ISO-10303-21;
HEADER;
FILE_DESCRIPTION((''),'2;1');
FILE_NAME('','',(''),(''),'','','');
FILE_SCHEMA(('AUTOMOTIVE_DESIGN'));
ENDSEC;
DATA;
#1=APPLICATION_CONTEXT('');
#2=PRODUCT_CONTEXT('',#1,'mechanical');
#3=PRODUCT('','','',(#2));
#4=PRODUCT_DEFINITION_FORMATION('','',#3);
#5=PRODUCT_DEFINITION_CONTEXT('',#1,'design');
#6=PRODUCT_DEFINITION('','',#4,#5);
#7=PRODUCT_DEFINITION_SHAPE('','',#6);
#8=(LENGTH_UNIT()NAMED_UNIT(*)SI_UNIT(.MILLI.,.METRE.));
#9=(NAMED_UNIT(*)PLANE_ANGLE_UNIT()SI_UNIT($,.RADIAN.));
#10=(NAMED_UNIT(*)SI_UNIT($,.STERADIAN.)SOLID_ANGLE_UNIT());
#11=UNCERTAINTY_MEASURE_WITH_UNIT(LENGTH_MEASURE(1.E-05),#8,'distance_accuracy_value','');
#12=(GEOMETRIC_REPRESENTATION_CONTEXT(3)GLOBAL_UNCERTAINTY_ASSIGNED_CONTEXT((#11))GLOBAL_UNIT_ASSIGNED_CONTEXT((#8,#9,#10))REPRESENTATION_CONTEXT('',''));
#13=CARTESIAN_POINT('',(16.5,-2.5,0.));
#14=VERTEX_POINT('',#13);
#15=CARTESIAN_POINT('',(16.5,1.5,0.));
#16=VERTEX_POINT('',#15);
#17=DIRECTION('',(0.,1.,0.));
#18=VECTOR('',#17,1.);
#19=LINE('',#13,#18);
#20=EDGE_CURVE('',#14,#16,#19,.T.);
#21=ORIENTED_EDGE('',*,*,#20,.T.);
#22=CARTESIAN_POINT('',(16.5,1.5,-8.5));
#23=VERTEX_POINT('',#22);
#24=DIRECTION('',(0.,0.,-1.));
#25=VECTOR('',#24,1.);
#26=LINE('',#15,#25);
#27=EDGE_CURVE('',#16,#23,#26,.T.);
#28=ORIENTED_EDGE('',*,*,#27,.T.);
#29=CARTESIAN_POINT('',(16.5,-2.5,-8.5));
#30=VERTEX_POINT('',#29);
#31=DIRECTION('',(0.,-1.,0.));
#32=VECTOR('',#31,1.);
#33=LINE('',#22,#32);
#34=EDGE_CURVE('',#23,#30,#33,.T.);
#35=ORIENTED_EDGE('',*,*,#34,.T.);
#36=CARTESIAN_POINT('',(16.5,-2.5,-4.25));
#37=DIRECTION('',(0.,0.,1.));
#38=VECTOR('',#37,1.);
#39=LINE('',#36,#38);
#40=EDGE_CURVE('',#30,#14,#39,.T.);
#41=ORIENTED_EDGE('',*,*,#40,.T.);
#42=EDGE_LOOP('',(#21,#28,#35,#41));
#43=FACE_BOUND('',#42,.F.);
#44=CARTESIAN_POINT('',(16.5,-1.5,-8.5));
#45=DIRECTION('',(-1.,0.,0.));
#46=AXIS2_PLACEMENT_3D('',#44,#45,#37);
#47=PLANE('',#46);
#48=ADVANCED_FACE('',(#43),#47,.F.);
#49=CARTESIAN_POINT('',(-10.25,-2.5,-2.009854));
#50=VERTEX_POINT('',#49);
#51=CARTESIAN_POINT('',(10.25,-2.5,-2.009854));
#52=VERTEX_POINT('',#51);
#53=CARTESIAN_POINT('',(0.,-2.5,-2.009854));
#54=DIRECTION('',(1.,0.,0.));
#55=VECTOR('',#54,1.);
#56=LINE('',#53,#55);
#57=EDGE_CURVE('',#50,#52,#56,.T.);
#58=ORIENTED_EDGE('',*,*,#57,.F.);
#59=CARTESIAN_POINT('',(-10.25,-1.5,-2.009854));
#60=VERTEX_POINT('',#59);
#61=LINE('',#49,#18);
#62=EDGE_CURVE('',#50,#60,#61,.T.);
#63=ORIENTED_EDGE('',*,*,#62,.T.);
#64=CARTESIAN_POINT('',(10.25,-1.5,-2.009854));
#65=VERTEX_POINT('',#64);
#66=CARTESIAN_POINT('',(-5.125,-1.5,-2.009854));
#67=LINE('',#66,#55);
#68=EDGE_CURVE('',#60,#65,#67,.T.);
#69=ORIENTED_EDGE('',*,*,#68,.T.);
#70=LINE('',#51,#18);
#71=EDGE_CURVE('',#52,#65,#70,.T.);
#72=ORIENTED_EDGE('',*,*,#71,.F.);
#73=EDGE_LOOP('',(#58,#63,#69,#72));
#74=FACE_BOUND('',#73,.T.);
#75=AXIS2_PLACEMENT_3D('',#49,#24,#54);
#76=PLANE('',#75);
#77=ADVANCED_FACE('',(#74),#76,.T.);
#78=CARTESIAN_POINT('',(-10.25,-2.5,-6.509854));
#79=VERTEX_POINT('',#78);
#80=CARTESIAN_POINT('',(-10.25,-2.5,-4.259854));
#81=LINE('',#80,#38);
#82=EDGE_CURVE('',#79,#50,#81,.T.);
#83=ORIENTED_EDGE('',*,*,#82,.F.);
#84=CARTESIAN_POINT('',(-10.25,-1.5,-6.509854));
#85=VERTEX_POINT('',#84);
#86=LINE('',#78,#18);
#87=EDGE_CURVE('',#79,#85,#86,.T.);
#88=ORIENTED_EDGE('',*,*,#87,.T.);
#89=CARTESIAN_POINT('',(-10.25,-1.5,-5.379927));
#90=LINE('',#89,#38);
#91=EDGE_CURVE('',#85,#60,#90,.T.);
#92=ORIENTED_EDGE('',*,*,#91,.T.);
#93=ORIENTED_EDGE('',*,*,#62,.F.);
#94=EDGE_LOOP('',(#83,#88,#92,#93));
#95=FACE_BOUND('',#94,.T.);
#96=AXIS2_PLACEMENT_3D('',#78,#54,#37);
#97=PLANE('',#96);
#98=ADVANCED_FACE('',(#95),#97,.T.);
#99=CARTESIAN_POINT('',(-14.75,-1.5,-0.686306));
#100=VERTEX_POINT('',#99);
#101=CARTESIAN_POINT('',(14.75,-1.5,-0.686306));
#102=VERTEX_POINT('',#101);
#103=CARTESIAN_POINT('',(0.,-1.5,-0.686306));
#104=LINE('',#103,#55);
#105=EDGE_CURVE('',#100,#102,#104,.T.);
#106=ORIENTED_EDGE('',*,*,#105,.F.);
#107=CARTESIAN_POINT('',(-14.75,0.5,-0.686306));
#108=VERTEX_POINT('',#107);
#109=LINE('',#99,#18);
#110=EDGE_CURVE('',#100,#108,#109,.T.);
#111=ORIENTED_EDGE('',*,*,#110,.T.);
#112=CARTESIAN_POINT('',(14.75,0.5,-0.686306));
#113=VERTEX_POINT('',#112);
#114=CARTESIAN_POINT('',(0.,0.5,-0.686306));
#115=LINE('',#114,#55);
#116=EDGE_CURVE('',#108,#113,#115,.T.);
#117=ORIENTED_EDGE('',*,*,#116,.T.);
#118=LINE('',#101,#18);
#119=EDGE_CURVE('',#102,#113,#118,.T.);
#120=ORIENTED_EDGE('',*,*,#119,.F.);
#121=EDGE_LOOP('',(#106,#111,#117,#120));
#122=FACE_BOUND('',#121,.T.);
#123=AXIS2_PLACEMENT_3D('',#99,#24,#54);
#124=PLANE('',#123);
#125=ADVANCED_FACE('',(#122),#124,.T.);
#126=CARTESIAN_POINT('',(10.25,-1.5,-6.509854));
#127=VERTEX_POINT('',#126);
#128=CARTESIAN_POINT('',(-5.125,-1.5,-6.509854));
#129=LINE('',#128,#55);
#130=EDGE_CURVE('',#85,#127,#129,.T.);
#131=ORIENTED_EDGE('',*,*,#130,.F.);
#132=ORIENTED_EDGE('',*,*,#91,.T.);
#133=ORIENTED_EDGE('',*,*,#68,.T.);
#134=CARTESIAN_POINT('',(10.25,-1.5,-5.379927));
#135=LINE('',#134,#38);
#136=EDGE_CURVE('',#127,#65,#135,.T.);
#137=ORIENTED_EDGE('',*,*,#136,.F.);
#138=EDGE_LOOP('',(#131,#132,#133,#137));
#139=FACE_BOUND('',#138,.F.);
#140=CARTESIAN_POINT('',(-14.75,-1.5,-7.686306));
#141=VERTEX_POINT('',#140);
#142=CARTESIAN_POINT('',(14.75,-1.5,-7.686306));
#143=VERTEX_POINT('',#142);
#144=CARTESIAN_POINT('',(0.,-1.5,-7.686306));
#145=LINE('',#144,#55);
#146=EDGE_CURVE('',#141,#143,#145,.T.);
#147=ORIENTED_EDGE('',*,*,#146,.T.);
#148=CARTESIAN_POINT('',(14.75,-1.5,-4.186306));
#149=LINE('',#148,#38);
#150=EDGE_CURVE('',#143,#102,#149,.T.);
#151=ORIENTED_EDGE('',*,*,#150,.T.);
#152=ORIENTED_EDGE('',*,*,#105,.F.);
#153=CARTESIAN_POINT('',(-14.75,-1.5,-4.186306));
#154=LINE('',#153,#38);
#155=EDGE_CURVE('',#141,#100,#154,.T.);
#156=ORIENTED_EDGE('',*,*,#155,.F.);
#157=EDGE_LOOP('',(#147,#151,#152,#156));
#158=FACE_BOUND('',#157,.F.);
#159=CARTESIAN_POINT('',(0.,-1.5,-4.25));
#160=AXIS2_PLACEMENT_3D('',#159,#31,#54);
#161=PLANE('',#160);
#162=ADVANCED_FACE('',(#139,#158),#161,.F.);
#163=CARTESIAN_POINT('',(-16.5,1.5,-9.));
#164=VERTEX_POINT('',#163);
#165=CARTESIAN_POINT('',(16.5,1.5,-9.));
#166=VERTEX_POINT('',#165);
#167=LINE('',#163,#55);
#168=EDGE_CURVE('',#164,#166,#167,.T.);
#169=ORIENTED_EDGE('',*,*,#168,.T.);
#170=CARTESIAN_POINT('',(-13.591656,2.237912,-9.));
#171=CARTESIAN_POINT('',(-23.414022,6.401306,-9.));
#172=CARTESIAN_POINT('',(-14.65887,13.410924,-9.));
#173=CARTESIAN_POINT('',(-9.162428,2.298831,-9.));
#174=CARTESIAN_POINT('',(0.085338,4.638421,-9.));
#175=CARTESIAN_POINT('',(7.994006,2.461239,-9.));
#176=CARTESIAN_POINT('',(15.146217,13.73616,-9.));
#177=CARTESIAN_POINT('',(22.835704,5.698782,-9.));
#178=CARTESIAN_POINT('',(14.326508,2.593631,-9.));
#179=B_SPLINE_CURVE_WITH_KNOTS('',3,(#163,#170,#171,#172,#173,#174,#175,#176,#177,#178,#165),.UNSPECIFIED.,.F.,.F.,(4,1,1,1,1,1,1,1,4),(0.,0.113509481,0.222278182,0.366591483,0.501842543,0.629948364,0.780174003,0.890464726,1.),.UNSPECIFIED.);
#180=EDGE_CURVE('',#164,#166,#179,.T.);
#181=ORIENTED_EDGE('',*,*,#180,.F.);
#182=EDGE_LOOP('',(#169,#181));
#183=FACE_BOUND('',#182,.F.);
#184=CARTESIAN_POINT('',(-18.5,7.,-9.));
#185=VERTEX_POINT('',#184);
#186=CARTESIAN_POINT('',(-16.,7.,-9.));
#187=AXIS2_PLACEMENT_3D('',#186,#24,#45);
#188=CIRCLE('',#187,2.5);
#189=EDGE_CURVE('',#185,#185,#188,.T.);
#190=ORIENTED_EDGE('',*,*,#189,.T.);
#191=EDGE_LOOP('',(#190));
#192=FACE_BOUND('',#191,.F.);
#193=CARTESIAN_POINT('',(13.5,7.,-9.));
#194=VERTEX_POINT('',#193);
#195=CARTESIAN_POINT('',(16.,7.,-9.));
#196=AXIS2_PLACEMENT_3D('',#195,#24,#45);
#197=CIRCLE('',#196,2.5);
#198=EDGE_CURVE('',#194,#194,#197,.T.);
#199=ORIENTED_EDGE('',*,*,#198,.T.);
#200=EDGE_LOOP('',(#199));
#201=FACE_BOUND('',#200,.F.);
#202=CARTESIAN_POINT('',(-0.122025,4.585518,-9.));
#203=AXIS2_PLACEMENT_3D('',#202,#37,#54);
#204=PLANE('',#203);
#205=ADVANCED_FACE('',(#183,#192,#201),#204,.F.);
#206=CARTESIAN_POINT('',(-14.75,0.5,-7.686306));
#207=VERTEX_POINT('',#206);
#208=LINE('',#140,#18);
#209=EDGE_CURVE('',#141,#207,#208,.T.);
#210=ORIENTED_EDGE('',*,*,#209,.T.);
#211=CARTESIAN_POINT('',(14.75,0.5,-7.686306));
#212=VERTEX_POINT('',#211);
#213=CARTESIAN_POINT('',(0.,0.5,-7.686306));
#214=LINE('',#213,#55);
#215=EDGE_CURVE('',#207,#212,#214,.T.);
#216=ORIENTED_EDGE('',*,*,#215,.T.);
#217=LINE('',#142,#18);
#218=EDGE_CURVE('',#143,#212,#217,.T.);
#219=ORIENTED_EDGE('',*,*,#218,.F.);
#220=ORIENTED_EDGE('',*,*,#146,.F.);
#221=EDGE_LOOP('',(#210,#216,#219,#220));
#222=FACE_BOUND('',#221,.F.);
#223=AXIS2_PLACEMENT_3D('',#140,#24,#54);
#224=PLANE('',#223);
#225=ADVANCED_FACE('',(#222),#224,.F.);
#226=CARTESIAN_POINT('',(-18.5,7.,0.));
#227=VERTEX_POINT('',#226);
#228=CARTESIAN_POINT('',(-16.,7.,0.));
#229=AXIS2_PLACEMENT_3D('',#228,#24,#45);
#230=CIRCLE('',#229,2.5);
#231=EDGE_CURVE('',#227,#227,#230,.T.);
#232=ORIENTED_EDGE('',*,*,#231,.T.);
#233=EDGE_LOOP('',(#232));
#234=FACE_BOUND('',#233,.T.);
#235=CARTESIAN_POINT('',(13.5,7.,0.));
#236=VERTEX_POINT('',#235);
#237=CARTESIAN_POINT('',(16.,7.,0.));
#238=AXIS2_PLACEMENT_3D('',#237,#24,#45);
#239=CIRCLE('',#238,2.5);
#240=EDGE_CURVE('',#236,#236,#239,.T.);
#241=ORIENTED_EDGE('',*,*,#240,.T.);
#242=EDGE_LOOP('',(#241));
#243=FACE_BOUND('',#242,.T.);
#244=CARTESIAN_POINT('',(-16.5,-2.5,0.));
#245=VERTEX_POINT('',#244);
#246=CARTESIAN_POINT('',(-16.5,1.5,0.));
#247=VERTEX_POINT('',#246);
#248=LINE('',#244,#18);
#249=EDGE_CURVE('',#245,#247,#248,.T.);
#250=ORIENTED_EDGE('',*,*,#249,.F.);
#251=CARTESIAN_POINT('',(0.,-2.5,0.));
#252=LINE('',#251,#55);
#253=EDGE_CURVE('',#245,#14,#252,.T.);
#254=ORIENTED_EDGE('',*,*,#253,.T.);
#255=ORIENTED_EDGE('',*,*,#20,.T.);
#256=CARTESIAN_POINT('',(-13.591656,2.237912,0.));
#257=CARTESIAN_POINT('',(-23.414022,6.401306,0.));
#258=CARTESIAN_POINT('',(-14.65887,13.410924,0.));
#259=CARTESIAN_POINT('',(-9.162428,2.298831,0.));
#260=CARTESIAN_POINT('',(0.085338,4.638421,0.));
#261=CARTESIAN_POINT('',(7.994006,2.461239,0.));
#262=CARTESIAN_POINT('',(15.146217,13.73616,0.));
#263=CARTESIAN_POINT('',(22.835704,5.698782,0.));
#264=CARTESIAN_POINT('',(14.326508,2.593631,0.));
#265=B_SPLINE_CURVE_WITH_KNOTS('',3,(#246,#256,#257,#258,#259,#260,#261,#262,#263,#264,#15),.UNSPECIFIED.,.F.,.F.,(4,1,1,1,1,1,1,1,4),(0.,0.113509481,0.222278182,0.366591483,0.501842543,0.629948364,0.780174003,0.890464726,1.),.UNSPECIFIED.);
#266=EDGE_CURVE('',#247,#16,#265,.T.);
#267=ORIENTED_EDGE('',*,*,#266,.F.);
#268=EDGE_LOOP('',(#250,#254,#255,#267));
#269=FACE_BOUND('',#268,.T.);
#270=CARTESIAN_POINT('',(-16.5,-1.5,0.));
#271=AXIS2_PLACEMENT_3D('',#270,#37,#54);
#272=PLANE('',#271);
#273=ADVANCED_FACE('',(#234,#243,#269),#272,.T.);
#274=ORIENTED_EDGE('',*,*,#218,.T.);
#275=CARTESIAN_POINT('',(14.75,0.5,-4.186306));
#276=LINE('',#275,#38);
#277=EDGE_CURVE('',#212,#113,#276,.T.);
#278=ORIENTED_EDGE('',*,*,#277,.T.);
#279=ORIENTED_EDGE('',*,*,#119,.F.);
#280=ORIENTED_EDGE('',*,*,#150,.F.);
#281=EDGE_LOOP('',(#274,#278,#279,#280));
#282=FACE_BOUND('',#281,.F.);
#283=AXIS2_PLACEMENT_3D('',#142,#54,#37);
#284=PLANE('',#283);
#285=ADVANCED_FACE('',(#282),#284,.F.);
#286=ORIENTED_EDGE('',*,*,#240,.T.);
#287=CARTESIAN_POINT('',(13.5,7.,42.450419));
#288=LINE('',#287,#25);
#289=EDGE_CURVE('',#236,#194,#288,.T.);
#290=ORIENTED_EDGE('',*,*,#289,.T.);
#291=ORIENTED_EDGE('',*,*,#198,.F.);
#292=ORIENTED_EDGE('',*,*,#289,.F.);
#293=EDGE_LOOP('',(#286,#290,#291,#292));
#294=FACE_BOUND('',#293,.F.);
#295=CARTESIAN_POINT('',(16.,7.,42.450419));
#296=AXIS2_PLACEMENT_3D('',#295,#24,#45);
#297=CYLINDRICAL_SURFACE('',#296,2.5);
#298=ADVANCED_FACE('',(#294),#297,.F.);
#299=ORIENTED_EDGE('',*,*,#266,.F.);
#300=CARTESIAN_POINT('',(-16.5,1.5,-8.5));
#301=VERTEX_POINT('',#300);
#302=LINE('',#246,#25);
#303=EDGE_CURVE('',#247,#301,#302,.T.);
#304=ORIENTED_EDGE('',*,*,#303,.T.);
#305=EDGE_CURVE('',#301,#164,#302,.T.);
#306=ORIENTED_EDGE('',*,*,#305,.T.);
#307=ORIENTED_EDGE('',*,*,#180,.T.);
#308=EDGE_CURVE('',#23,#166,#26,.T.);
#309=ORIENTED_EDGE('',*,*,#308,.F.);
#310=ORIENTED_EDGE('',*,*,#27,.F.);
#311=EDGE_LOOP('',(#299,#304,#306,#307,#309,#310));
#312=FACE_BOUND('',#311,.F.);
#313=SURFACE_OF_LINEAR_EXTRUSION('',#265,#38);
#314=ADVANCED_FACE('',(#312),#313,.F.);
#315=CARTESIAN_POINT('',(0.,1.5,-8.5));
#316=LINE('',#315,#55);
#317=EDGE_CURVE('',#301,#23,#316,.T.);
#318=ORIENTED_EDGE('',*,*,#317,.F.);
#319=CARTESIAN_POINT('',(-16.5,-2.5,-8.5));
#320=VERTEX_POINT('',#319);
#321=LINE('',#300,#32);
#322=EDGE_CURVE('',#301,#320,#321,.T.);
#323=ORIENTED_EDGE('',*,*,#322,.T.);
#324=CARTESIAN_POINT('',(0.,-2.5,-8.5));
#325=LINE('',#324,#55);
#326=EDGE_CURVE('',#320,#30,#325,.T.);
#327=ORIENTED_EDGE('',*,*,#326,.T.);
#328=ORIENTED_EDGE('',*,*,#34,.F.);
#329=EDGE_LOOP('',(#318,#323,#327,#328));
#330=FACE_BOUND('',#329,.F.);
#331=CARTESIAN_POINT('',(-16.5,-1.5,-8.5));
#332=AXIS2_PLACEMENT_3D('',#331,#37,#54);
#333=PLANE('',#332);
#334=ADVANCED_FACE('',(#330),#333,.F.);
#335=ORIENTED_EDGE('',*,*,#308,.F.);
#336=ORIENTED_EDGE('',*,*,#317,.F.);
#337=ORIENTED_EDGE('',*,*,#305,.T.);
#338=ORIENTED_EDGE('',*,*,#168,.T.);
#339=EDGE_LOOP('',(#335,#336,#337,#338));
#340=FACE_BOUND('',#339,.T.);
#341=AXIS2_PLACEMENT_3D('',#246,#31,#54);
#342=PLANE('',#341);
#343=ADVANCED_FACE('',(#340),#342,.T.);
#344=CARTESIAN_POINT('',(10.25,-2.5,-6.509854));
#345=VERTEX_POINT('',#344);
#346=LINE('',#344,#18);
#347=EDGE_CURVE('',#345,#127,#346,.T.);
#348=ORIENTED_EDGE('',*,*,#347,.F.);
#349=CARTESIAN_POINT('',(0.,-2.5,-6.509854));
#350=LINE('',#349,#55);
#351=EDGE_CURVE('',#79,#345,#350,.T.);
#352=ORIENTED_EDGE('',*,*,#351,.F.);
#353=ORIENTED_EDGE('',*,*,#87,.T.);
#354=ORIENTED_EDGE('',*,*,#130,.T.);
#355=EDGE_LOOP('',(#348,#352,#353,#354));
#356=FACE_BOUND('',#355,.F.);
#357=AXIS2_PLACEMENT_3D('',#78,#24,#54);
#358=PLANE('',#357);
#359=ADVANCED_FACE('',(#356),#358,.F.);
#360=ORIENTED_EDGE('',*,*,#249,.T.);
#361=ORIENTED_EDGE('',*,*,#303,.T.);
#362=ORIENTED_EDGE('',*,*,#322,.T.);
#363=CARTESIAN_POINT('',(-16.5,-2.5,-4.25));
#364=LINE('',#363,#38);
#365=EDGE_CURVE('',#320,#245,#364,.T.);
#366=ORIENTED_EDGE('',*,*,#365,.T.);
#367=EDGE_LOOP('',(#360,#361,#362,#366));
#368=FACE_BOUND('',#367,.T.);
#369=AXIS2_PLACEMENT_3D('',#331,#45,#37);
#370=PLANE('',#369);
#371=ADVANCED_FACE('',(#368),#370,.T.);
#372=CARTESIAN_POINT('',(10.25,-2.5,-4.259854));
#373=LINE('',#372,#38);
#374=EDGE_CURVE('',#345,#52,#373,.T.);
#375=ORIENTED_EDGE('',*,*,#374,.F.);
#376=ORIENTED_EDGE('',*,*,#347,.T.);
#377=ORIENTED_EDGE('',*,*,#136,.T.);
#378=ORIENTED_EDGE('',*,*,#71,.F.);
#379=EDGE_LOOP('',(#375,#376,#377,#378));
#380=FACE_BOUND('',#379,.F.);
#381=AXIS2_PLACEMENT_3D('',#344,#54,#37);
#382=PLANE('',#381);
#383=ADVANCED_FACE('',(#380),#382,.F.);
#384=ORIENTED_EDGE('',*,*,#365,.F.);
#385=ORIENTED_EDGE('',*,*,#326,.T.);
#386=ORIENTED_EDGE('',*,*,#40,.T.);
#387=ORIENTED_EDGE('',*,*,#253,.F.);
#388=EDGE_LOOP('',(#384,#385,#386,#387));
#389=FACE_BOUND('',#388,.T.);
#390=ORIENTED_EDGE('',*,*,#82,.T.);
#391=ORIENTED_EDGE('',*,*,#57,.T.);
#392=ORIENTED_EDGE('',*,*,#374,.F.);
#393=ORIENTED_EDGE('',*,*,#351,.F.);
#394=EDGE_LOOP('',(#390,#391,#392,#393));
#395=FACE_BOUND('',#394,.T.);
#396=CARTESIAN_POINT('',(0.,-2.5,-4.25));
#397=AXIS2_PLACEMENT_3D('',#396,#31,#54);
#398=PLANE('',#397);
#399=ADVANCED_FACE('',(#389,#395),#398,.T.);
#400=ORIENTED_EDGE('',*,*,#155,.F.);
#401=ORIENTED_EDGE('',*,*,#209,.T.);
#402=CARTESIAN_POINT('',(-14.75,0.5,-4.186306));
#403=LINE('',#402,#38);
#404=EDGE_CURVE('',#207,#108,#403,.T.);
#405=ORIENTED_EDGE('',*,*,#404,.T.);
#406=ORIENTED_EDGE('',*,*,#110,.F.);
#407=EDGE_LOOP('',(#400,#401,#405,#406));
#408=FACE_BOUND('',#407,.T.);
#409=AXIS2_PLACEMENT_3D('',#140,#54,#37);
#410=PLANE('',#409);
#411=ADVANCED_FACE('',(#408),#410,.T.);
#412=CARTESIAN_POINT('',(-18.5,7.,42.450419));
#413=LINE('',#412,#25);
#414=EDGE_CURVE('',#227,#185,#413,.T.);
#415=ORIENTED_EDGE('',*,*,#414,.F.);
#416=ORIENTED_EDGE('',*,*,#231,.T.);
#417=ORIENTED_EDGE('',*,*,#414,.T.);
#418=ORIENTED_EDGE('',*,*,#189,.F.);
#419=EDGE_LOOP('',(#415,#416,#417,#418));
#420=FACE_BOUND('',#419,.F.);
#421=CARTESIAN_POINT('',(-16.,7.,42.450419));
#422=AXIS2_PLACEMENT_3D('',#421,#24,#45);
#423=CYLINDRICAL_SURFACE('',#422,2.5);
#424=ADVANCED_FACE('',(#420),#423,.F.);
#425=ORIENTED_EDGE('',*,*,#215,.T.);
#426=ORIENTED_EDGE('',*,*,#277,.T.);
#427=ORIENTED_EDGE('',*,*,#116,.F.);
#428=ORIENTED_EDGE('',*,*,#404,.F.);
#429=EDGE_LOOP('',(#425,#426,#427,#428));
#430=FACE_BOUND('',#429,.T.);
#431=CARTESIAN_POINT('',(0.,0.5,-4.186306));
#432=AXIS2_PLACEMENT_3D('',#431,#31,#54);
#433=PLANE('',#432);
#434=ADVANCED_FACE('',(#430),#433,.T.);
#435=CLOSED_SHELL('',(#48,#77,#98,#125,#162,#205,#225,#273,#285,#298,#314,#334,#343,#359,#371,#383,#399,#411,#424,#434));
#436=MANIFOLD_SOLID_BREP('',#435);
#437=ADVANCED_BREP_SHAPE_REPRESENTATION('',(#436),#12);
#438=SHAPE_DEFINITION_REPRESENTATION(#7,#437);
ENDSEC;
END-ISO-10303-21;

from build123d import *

# Parameters (mm, degrees)
F0_W     = 33
F0_H     = 3
F1_DEPTH = 8.5
F2_DEPTH = 9
F3_D     = 5
F4_W     = 29.5
F4_H     = 7
F5_DEPTH = 2
F6_W     = 33
F6_H     = 8.5
F7_DEPTH = 1
F8_W     = 20.5
F8_H     = 4.5
F9_DEPTH = 2


with BuildPart() as f1:
    # F0 (on Top) → F1 (new body)
    with BuildSketch(Plane.XY):
        Rectangle(F0_W, F0_H)
    extrude(amount=-F1_DEPTH)

    # F0 (on Top) → F2 (join)
    with BuildSketch(Plane.XY):
        with BuildLine():
            Line((-16.5, 1.5), (16.5, 1.5))
            add(Edge.make_bspline(
                [(-16.5, 1.5), (-13.5916556324, 2.237912442), (-23.414021641, 6.4013059033), (-14.658869967, 13.4109242996), (-9.1624283669, 2.2988306357), (0.0853379262, 4.6384206671), (7.9940055928, 2.4612393848), (15.1462169756, 13.7361596273), (22.8357037013, 5.6987815755), (14.3265083209, 2.5936309807), (16.5, 1.5)],
                knots=[0, 0, 0, 0, 0.1135094813, 0.2222781816, 0.3665914829, 0.5018425426, 0.6299483635, 0.7801740031, 0.8904647256, 1, 1, 1, 1], degree=3))
        make_face()
    extrude(amount=-F2_DEPTH)

    # F3 (through all)
    with Locations(Plane.XY):
        with Locations((-16, 7), (16, 7)):
            Hole(F3_D / 2)

    # F4 (on face) → F5 (cut)
    with BuildSketch(Plane.XZ.offset(1.5)):
        with Locations((0, -4.1863056831)):
            Rectangle(F4_W, F4_H)
    extrude(amount=-F5_DEPTH, mode=Mode.SUBTRACT)

    # F6 (on face) → F7 (join)
    with BuildSketch(Plane.XZ.offset(1.5)):
        with Locations((0, -4.25)):
            Rectangle(F6_W, F6_H)
    extrude(amount=F7_DEPTH)

    # F8 (on face) → F9 (cut)
    with BuildSketch(Plane.XZ.offset(2.5)):
        with Locations((0, -4.2598536238)):
            Rectangle(F8_W, F8_H)
    extrude(amount=-F9_DEPTH, mode=Mode.SUBTRACT)


solid = f1.part
